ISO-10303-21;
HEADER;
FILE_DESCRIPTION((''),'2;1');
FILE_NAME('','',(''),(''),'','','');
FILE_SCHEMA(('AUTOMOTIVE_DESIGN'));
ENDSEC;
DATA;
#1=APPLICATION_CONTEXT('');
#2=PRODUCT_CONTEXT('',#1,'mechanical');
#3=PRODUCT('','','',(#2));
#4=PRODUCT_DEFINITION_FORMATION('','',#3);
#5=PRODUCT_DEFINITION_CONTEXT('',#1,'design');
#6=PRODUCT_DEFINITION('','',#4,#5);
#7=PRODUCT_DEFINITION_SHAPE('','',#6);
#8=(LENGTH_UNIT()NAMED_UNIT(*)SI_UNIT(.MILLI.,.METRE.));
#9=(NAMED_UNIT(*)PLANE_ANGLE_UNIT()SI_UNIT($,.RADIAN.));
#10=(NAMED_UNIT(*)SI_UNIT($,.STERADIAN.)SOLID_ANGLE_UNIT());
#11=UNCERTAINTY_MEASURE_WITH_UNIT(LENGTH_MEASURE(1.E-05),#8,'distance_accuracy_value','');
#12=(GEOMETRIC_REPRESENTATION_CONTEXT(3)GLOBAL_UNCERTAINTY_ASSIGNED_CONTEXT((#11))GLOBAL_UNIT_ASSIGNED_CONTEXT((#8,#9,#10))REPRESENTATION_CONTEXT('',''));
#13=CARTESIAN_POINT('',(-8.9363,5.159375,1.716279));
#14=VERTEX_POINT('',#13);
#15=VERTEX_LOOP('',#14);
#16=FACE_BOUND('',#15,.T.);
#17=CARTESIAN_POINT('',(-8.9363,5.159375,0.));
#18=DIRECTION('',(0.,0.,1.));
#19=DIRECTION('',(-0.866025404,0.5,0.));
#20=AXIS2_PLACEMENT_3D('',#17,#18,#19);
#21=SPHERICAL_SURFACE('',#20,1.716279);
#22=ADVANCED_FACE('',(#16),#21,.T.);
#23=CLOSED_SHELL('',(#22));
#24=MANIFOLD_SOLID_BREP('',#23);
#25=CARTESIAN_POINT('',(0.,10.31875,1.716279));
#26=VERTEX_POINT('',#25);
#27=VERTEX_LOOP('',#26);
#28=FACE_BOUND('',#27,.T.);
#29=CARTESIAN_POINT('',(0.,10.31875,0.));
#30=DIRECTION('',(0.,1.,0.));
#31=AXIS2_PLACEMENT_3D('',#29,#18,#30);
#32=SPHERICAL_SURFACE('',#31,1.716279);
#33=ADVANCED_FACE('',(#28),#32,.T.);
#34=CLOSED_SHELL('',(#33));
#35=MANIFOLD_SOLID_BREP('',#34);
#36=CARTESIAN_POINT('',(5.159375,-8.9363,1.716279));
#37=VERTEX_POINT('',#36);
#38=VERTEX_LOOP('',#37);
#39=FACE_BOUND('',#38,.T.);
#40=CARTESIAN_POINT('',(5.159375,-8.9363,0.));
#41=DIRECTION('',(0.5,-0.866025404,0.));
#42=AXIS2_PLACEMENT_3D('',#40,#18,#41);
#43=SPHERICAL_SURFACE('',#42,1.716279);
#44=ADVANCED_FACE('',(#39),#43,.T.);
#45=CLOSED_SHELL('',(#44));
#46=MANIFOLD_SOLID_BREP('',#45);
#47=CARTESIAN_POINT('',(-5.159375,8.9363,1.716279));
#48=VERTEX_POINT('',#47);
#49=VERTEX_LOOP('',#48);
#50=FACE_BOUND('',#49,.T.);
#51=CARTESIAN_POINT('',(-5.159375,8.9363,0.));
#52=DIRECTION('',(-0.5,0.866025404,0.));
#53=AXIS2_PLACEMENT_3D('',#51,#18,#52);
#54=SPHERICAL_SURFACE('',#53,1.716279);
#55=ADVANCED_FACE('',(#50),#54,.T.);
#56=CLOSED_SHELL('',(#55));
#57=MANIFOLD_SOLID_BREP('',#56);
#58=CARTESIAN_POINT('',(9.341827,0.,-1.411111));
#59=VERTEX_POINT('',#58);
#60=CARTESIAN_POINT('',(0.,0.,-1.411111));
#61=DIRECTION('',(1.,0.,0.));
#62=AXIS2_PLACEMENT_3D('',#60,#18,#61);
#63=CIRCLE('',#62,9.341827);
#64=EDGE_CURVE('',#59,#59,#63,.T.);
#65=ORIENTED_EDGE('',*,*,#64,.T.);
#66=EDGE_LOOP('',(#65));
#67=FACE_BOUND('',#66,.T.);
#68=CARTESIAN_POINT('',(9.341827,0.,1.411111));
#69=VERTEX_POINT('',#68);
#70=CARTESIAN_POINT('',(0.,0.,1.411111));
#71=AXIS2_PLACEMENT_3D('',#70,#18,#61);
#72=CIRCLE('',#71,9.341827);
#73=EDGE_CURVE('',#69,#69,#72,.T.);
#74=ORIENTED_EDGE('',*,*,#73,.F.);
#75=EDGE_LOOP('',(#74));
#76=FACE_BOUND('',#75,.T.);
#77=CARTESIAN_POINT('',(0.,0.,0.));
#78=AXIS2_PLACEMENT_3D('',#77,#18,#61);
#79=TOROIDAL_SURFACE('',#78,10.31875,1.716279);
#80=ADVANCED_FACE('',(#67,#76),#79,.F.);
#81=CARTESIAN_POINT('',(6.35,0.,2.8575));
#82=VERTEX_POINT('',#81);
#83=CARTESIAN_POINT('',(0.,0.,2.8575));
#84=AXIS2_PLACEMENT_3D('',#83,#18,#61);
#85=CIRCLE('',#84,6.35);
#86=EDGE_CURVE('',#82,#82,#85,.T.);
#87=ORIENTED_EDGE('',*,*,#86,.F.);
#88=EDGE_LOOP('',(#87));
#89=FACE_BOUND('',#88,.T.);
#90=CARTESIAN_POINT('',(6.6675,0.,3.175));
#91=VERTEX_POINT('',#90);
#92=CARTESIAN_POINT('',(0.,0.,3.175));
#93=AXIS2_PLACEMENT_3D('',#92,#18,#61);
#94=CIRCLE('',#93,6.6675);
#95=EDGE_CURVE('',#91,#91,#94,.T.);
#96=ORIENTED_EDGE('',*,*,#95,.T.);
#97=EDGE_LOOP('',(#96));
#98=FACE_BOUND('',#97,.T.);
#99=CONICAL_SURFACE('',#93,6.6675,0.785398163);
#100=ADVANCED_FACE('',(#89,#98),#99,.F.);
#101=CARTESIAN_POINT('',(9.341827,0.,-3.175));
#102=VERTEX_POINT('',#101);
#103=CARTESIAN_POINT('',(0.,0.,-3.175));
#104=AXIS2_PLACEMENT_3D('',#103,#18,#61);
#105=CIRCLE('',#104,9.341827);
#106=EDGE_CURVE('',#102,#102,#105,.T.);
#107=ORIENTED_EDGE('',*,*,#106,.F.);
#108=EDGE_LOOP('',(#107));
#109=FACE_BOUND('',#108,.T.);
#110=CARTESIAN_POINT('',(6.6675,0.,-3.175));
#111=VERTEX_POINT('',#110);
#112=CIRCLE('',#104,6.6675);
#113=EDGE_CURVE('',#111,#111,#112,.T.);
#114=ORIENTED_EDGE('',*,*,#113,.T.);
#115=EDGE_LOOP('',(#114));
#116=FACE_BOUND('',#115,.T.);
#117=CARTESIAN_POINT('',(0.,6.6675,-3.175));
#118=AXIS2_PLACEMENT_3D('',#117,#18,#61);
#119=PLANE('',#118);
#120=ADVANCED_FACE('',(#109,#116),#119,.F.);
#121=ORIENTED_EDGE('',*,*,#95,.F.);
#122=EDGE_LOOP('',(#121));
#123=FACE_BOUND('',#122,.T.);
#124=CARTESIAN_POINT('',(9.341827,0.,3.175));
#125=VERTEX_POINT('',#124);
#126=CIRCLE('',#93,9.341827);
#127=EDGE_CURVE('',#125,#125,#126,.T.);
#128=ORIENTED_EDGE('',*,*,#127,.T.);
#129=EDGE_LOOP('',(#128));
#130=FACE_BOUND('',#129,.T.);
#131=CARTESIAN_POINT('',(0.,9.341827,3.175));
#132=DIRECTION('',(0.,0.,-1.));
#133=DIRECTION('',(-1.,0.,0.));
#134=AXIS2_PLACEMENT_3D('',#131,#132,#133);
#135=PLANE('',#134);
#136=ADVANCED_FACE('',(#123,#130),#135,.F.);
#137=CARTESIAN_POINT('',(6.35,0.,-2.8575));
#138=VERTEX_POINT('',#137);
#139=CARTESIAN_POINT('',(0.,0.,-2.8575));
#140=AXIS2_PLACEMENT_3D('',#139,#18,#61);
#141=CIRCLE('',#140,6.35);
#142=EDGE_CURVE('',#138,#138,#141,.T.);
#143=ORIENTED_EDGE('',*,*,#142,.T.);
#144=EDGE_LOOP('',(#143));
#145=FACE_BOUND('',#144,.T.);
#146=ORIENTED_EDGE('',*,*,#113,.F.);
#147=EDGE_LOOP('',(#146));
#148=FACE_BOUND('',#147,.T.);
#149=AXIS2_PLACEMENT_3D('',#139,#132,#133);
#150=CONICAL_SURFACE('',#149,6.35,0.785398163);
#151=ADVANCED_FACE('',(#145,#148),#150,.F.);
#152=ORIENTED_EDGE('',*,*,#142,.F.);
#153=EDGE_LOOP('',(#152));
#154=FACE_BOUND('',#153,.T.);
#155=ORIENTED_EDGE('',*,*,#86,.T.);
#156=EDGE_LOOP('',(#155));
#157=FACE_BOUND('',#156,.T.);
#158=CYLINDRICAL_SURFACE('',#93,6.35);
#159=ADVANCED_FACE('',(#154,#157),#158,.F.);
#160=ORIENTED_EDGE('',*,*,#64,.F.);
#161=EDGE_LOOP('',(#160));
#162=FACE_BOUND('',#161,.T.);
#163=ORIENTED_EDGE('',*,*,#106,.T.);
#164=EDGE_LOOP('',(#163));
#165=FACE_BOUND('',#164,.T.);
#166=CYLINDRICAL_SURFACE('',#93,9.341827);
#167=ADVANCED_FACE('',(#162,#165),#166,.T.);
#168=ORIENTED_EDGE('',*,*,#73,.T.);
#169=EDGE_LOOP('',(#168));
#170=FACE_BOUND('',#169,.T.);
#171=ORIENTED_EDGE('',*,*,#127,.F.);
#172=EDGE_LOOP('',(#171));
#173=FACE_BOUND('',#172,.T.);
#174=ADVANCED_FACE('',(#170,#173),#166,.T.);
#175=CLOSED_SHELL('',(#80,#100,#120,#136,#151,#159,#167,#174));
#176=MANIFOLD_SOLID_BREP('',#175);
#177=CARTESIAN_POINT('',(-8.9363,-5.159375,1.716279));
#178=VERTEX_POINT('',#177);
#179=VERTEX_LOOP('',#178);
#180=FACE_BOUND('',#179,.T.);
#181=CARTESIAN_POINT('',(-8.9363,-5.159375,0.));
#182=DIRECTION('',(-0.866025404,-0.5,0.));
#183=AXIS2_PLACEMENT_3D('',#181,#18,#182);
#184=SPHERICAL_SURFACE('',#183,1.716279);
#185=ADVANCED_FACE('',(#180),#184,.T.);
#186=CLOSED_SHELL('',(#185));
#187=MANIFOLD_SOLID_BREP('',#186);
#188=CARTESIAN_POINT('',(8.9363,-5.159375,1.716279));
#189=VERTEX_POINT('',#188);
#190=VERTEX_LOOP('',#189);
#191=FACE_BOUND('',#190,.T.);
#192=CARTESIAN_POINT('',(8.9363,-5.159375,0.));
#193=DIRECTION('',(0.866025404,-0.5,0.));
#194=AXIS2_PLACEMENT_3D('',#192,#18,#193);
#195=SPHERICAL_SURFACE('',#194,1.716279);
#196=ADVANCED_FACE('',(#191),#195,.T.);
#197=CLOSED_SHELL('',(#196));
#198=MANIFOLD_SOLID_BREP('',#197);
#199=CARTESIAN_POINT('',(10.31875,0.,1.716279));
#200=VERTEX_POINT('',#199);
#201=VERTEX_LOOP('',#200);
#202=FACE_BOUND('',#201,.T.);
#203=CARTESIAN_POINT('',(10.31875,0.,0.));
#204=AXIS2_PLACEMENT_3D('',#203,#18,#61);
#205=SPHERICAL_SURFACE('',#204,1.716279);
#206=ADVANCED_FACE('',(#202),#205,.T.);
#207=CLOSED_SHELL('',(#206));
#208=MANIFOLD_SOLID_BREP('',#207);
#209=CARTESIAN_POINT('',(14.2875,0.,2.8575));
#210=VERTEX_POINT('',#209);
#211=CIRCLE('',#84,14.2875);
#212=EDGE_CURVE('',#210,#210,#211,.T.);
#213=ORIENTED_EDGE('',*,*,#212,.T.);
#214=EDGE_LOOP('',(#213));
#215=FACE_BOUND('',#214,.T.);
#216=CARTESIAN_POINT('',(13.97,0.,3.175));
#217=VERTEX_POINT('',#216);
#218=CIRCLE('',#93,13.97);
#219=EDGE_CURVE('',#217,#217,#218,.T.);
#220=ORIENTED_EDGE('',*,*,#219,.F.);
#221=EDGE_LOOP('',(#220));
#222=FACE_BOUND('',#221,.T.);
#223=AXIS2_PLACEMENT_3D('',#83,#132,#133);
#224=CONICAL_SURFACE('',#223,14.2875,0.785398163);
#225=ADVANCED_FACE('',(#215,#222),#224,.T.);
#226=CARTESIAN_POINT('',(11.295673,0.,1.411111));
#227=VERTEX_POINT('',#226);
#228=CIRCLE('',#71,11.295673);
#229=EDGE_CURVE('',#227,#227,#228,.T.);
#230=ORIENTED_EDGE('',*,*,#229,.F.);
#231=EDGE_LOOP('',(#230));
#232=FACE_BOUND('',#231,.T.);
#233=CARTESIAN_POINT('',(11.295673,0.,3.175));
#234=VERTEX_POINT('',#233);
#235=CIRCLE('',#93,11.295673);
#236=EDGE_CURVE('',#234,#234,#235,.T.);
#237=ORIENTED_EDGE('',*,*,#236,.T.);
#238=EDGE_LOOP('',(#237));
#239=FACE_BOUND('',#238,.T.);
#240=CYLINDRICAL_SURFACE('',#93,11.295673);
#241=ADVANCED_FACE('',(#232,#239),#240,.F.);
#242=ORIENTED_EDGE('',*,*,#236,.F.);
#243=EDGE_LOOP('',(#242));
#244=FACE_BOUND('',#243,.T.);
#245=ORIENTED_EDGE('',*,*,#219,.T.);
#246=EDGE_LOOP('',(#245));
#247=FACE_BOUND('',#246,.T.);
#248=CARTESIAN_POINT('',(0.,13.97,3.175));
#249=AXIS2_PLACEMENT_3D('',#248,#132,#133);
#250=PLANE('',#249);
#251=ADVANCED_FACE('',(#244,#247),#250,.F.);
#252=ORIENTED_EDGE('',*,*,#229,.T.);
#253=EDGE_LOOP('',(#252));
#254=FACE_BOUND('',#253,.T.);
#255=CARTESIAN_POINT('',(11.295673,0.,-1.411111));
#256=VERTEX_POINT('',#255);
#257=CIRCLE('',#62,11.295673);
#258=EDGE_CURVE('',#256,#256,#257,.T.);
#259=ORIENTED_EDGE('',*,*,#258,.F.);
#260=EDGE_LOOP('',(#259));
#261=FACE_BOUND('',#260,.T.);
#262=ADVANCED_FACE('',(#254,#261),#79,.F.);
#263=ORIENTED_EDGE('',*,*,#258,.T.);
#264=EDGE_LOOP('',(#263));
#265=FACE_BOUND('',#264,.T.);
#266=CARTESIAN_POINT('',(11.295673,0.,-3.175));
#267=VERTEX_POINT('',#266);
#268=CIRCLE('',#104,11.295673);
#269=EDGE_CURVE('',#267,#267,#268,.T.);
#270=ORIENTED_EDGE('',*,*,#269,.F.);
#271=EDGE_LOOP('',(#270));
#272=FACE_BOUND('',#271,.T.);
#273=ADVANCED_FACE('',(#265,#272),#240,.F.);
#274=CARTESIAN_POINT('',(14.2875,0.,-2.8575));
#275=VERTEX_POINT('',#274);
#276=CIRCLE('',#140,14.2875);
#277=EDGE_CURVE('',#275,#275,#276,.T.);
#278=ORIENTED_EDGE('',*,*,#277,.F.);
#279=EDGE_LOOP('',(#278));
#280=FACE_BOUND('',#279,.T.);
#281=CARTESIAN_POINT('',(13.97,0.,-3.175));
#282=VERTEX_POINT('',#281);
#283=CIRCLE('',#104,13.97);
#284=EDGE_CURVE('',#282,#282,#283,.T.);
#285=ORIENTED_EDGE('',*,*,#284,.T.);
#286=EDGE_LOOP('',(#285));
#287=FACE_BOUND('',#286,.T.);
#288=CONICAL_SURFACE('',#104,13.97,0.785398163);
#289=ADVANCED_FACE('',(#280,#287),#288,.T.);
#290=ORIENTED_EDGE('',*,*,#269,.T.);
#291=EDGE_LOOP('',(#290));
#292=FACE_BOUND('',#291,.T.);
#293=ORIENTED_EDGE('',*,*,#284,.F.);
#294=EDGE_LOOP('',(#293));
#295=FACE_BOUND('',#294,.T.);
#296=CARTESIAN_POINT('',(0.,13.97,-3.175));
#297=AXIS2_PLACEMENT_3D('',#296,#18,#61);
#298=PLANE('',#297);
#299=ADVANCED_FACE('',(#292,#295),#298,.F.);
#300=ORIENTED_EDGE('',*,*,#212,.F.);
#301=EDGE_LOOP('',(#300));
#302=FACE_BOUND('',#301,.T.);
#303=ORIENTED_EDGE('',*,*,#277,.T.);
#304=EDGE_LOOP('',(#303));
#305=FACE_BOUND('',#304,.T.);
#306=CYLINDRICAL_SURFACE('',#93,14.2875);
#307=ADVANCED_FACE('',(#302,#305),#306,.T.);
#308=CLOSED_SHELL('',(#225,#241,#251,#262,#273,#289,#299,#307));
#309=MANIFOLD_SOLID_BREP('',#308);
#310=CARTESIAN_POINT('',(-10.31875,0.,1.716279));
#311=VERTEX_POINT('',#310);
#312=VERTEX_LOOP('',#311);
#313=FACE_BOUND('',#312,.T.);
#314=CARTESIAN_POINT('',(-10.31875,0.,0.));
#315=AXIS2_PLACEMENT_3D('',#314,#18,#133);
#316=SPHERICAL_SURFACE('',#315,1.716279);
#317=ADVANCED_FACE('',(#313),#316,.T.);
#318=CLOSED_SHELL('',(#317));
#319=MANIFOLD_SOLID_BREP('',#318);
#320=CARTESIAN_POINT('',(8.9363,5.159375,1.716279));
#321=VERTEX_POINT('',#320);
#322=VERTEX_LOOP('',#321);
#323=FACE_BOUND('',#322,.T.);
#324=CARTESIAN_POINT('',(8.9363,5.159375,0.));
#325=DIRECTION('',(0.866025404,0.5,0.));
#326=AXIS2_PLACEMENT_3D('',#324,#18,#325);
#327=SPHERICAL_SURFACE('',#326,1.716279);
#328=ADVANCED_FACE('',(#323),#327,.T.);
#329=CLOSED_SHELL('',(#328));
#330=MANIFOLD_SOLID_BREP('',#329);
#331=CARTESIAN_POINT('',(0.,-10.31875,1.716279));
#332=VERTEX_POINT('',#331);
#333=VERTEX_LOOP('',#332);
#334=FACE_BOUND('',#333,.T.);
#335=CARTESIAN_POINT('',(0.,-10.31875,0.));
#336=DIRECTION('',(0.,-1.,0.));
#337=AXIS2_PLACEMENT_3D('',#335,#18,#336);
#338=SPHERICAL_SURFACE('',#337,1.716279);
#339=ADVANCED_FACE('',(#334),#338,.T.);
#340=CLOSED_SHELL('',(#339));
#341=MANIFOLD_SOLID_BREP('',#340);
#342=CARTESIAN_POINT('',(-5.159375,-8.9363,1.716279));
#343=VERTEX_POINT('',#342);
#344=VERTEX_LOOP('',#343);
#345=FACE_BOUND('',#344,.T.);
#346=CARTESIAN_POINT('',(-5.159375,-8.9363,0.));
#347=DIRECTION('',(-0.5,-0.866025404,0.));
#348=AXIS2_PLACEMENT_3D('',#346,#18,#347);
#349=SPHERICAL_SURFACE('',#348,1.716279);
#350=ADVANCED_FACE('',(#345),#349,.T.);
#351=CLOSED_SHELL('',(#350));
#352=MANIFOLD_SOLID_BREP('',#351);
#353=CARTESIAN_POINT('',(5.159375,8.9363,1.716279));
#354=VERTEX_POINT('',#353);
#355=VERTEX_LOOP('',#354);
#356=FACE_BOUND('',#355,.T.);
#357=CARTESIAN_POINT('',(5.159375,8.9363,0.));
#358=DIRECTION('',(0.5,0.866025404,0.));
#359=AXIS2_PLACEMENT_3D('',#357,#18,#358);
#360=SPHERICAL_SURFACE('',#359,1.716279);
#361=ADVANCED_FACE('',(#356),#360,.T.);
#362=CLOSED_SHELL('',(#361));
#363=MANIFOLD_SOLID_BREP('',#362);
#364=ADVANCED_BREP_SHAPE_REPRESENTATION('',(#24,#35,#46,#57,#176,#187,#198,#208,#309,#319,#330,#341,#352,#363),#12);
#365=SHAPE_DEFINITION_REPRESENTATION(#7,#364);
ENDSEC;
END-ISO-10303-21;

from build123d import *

# Parameters (mm, degrees)
CIRPATTERN1_COUNT = 12


with BuildPart() as part:
    # Sketch1 → Revolve1 (revolve)
    with BuildSketch(Plane(origin=(0, 0, 0), x_dir=(0, 0, -1), z_dir=(1, 0, 0))):
        with BuildLine():
            Line((2.8575, 14.2875), (-2.8575, 14.2875))
            Line((-2.8575, 14.2875), (-3.175, 13.97))
            Line((-3.175, 13.97), (-3.175, 11.295673077))
            Line((-3.175, 11.295673077), (-1.411111111, 11.295673077))
            ThreePointArc((-1.411111111, 11.295673077), (0, 12.035028901), (1.411111111, 11.295673077))
            Line((1.411111111, 11.295673077), (3.175, 11.295673077))
            Line((3.175, 11.295673077), (3.175, 13.97))
            Line((3.175, 13.97), (2.8575, 14.2875))
        make_face()
    revolve(axis=Axis((0, 0, 3.175), (0, 0, -1)))


with BuildPart() as body_2:
    # Sketch3 → Revolve3 (revolve)
    with BuildSketch(Plane(origin=(0, 0, 0), x_dir=(0, 0, -1), z_dir=(1, 0, 0))):
        with BuildLine():
            Line((-3.175, 9.341826923), (-1.411111111, 9.341826923))
            ThreePointArc((-1.411111111, 9.341826923), (0, 8.602471099), (1.411111111, 9.341826923))
            Line((1.411111111, 9.341826923), (3.175, 9.341826923))
            Line((3.175, 9.341826923), (3.175, 6.6675))
            Line((3.175, 6.6675), (2.8575, 6.35))
            Line((2.8575, 6.35), (-2.8575, 6.35))
            Line((-2.8575, 6.35), (-3.175, 6.6675))
            Line((-3.175, 6.6675), (-3.175, 9.341826923))
        make_face()
    revolve(axis=Axis((0, 0, 3.175), (0, 0, -1)))


with BuildPart() as body_3:
    # Sketch4 → Revolve4 (revolve)
    with BuildSketch(Plane(origin=(0, 0, 0), x_dir=(0, 0, -1), z_dir=(1, 0, 0))):
        with BuildLine():
            Line((-1.716278901, 10.31875), (1.716278901, 10.31875))
            ThreePointArc((1.716278901, 10.31875), (0, 12.035028901), (-1.716278901, 10.31875))
        make_face()
    revolve(axis=Axis((0, 10.31875, 1.716278901), (0, 0, -1)))


with BuildPart() as cirpattern1_1:
    # CirPattern1: pattern copy
    add(body_3.part.rotate(Axis((0, 0, -3.175), (0, 0, 1)), 1 * 360 / CIRPATTERN1_COUNT))


with BuildPart() as cirpattern1_2:
    # CirPattern1: pattern copy
    add(body_3.part.rotate(Axis((0, 0, -3.175), (0, 0, 1)), 2 * 360 / CIRPATTERN1_COUNT))


with BuildPart() as cirpattern1_3:
    # CirPattern1: pattern copy
    add(body_3.part.rotate(Axis((0, 0, -3.175), (0, 0, 1)), 3 * 360 / CIRPATTERN1_COUNT))


with BuildPart() as cirpattern1_4:
    # CirPattern1: pattern copy
    add(body_3.part.rotate(Axis((0, 0, -3.175), (0, 0, 1)), 4 * 360 / CIRPATTERN1_COUNT))


with BuildPart() as cirpattern1_5:
    # CirPattern1: pattern copy
    add(body_3.part.rotate(Axis((0, 0, -3.175), (0, 0, 1)), 5 * 360 / CIRPATTERN1_COUNT))


with BuildPart() as cirpattern1_6:
    # CirPattern1: pattern copy
    add(body_3.part.rotate(Axis((0, 0, -3.175), (0, 0, 1)), 6 * 360 / CIRPATTERN1_COUNT))


with BuildPart() as cirpattern1_7:
    # CirPattern1: pattern copy
    add(body_3.part.rotate(Axis((0, 0, -3.175), (0, 0, 1)), 7 * 360 / CIRPATTERN1_COUNT))


with BuildPart() as cirpattern1_8:
    # CirPattern1: pattern copy
    add(body_3.part.rotate(Axis((0, 0, -3.175), (0, 0, 1)), 8 * 360 / CIRPATTERN1_COUNT))


with BuildPart() as cirpattern1_9:
    # CirPattern1: pattern copy
    add(body_3.part.rotate(Axis((0, 0, -3.175), (0, 0, 1)), 9 * 360 / CIRPATTERN1_COUNT))


with BuildPart() as cirpattern1_10:
    # CirPattern1: pattern copy
    add(body_3.part.rotate(Axis((0, 0, -3.175), (0, 0, 1)), 10 * 360 / CIRPATTERN1_COUNT))


with BuildPart() as cirpattern1_11:
    # CirPattern1: pattern copy
    add(body_3.part.rotate(Axis((0, 0, -3.175), (0, 0, 1)), 11 * 360 / CIRPATTERN1_COUNT))


solid = Compound([part.part, body_2.part, body_3.part, cirpattern1_1.part, cirpattern1_2.part, cirpattern1_3.part, cirpattern1_4.part, cirpattern1_5.part, cirpattern1_6.part, cirpattern1_7.part, cirpattern1_8.part, cirpattern1_9.part, cirpattern1_10.part, cirpattern1_11.part])
